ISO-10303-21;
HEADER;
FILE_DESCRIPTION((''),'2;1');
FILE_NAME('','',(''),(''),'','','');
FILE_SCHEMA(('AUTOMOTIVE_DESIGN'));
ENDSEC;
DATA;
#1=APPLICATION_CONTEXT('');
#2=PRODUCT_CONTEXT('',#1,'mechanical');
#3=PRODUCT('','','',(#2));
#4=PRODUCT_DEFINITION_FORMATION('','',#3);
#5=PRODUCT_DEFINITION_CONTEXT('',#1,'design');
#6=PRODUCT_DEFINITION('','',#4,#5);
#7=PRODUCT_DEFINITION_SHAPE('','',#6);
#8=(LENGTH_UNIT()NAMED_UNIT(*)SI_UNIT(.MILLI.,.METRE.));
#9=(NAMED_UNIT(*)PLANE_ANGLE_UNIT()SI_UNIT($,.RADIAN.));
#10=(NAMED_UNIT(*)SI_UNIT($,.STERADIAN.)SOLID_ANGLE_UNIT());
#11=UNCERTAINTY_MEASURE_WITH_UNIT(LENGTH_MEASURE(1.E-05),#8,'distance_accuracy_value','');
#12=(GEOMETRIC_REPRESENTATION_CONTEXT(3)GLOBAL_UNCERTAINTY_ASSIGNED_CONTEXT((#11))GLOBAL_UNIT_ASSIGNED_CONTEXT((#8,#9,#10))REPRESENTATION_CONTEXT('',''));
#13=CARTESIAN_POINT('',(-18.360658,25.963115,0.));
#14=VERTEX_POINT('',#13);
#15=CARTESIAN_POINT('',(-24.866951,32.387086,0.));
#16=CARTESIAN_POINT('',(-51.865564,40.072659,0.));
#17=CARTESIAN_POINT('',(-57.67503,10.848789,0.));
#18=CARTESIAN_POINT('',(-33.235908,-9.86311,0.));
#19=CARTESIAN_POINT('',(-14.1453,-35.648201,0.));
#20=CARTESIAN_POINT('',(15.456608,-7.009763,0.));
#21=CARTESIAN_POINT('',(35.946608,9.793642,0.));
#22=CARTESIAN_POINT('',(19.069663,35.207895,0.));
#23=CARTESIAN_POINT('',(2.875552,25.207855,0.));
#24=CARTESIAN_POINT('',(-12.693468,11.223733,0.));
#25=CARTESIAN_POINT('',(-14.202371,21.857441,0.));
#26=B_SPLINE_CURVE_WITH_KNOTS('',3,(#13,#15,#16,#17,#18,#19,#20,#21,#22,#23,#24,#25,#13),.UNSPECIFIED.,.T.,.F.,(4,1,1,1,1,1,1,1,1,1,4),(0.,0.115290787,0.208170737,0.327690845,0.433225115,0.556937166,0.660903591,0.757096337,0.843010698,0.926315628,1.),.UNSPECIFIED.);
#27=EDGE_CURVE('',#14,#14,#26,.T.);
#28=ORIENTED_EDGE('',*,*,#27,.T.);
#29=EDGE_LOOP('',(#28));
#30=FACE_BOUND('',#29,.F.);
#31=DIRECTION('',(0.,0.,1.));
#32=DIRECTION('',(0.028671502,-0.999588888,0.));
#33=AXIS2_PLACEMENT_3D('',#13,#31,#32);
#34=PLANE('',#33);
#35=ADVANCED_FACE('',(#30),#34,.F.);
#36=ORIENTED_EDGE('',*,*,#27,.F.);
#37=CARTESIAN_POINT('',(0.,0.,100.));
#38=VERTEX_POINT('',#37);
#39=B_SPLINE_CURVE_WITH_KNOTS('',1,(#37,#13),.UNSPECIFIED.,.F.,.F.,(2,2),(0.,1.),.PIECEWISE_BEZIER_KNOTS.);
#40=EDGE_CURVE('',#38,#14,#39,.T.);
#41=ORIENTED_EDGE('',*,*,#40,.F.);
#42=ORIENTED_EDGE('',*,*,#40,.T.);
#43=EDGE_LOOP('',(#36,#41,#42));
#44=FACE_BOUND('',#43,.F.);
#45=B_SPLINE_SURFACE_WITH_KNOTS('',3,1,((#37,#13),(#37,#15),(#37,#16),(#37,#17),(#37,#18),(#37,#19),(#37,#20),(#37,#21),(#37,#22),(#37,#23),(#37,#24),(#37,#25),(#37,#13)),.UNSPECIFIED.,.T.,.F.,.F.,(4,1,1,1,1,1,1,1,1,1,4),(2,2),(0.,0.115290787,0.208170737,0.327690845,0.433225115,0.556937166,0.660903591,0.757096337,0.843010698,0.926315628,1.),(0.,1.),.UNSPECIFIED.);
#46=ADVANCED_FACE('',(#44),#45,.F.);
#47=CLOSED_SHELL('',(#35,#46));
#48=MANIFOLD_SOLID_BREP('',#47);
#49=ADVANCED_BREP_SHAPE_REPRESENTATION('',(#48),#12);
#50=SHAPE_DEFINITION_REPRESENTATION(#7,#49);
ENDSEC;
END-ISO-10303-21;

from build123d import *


with BuildPart() as f3:
    # F0 (on Top) → F3 section 0
    with BuildSketch(Plane.XY, mode=Mode.PRIVATE) as f3_s0:
        with BuildLine():
            add(Edge.make_bspline(
                [(-18.3606576174, 25.9631145746), (-24.8669511006, 32.3870858201), (-51.8655643518, 40.0726586124), (-57.6750301686, 10.8487888738), (-33.235908176, -9.8631102652), (-14.1452998574, -35.6482011189), (15.4566078571, -7.0097629803), (35.9466084804, 9.7936423871), (19.0696630673, 35.2078950696), (2.8755517408, 25.2078545692), (-12.6934679528, 11.2237328307), (-14.2023708767, 21.8574414255), (-18.3606576174, 25.9631145746)],
                knots=[0, 0, 0, 0, 0.115290787, 0.2081707367, 0.3276908445, 0.4332251151, 0.5569371657, 0.6609035907, 0.7570963366, 0.8430106977, 0.9263156277, 1, 1, 1, 1], degree=3))
        make_face()
    loft([Vertex(0, 0, 100), f3_s0.sketch])


solid = f3.part
